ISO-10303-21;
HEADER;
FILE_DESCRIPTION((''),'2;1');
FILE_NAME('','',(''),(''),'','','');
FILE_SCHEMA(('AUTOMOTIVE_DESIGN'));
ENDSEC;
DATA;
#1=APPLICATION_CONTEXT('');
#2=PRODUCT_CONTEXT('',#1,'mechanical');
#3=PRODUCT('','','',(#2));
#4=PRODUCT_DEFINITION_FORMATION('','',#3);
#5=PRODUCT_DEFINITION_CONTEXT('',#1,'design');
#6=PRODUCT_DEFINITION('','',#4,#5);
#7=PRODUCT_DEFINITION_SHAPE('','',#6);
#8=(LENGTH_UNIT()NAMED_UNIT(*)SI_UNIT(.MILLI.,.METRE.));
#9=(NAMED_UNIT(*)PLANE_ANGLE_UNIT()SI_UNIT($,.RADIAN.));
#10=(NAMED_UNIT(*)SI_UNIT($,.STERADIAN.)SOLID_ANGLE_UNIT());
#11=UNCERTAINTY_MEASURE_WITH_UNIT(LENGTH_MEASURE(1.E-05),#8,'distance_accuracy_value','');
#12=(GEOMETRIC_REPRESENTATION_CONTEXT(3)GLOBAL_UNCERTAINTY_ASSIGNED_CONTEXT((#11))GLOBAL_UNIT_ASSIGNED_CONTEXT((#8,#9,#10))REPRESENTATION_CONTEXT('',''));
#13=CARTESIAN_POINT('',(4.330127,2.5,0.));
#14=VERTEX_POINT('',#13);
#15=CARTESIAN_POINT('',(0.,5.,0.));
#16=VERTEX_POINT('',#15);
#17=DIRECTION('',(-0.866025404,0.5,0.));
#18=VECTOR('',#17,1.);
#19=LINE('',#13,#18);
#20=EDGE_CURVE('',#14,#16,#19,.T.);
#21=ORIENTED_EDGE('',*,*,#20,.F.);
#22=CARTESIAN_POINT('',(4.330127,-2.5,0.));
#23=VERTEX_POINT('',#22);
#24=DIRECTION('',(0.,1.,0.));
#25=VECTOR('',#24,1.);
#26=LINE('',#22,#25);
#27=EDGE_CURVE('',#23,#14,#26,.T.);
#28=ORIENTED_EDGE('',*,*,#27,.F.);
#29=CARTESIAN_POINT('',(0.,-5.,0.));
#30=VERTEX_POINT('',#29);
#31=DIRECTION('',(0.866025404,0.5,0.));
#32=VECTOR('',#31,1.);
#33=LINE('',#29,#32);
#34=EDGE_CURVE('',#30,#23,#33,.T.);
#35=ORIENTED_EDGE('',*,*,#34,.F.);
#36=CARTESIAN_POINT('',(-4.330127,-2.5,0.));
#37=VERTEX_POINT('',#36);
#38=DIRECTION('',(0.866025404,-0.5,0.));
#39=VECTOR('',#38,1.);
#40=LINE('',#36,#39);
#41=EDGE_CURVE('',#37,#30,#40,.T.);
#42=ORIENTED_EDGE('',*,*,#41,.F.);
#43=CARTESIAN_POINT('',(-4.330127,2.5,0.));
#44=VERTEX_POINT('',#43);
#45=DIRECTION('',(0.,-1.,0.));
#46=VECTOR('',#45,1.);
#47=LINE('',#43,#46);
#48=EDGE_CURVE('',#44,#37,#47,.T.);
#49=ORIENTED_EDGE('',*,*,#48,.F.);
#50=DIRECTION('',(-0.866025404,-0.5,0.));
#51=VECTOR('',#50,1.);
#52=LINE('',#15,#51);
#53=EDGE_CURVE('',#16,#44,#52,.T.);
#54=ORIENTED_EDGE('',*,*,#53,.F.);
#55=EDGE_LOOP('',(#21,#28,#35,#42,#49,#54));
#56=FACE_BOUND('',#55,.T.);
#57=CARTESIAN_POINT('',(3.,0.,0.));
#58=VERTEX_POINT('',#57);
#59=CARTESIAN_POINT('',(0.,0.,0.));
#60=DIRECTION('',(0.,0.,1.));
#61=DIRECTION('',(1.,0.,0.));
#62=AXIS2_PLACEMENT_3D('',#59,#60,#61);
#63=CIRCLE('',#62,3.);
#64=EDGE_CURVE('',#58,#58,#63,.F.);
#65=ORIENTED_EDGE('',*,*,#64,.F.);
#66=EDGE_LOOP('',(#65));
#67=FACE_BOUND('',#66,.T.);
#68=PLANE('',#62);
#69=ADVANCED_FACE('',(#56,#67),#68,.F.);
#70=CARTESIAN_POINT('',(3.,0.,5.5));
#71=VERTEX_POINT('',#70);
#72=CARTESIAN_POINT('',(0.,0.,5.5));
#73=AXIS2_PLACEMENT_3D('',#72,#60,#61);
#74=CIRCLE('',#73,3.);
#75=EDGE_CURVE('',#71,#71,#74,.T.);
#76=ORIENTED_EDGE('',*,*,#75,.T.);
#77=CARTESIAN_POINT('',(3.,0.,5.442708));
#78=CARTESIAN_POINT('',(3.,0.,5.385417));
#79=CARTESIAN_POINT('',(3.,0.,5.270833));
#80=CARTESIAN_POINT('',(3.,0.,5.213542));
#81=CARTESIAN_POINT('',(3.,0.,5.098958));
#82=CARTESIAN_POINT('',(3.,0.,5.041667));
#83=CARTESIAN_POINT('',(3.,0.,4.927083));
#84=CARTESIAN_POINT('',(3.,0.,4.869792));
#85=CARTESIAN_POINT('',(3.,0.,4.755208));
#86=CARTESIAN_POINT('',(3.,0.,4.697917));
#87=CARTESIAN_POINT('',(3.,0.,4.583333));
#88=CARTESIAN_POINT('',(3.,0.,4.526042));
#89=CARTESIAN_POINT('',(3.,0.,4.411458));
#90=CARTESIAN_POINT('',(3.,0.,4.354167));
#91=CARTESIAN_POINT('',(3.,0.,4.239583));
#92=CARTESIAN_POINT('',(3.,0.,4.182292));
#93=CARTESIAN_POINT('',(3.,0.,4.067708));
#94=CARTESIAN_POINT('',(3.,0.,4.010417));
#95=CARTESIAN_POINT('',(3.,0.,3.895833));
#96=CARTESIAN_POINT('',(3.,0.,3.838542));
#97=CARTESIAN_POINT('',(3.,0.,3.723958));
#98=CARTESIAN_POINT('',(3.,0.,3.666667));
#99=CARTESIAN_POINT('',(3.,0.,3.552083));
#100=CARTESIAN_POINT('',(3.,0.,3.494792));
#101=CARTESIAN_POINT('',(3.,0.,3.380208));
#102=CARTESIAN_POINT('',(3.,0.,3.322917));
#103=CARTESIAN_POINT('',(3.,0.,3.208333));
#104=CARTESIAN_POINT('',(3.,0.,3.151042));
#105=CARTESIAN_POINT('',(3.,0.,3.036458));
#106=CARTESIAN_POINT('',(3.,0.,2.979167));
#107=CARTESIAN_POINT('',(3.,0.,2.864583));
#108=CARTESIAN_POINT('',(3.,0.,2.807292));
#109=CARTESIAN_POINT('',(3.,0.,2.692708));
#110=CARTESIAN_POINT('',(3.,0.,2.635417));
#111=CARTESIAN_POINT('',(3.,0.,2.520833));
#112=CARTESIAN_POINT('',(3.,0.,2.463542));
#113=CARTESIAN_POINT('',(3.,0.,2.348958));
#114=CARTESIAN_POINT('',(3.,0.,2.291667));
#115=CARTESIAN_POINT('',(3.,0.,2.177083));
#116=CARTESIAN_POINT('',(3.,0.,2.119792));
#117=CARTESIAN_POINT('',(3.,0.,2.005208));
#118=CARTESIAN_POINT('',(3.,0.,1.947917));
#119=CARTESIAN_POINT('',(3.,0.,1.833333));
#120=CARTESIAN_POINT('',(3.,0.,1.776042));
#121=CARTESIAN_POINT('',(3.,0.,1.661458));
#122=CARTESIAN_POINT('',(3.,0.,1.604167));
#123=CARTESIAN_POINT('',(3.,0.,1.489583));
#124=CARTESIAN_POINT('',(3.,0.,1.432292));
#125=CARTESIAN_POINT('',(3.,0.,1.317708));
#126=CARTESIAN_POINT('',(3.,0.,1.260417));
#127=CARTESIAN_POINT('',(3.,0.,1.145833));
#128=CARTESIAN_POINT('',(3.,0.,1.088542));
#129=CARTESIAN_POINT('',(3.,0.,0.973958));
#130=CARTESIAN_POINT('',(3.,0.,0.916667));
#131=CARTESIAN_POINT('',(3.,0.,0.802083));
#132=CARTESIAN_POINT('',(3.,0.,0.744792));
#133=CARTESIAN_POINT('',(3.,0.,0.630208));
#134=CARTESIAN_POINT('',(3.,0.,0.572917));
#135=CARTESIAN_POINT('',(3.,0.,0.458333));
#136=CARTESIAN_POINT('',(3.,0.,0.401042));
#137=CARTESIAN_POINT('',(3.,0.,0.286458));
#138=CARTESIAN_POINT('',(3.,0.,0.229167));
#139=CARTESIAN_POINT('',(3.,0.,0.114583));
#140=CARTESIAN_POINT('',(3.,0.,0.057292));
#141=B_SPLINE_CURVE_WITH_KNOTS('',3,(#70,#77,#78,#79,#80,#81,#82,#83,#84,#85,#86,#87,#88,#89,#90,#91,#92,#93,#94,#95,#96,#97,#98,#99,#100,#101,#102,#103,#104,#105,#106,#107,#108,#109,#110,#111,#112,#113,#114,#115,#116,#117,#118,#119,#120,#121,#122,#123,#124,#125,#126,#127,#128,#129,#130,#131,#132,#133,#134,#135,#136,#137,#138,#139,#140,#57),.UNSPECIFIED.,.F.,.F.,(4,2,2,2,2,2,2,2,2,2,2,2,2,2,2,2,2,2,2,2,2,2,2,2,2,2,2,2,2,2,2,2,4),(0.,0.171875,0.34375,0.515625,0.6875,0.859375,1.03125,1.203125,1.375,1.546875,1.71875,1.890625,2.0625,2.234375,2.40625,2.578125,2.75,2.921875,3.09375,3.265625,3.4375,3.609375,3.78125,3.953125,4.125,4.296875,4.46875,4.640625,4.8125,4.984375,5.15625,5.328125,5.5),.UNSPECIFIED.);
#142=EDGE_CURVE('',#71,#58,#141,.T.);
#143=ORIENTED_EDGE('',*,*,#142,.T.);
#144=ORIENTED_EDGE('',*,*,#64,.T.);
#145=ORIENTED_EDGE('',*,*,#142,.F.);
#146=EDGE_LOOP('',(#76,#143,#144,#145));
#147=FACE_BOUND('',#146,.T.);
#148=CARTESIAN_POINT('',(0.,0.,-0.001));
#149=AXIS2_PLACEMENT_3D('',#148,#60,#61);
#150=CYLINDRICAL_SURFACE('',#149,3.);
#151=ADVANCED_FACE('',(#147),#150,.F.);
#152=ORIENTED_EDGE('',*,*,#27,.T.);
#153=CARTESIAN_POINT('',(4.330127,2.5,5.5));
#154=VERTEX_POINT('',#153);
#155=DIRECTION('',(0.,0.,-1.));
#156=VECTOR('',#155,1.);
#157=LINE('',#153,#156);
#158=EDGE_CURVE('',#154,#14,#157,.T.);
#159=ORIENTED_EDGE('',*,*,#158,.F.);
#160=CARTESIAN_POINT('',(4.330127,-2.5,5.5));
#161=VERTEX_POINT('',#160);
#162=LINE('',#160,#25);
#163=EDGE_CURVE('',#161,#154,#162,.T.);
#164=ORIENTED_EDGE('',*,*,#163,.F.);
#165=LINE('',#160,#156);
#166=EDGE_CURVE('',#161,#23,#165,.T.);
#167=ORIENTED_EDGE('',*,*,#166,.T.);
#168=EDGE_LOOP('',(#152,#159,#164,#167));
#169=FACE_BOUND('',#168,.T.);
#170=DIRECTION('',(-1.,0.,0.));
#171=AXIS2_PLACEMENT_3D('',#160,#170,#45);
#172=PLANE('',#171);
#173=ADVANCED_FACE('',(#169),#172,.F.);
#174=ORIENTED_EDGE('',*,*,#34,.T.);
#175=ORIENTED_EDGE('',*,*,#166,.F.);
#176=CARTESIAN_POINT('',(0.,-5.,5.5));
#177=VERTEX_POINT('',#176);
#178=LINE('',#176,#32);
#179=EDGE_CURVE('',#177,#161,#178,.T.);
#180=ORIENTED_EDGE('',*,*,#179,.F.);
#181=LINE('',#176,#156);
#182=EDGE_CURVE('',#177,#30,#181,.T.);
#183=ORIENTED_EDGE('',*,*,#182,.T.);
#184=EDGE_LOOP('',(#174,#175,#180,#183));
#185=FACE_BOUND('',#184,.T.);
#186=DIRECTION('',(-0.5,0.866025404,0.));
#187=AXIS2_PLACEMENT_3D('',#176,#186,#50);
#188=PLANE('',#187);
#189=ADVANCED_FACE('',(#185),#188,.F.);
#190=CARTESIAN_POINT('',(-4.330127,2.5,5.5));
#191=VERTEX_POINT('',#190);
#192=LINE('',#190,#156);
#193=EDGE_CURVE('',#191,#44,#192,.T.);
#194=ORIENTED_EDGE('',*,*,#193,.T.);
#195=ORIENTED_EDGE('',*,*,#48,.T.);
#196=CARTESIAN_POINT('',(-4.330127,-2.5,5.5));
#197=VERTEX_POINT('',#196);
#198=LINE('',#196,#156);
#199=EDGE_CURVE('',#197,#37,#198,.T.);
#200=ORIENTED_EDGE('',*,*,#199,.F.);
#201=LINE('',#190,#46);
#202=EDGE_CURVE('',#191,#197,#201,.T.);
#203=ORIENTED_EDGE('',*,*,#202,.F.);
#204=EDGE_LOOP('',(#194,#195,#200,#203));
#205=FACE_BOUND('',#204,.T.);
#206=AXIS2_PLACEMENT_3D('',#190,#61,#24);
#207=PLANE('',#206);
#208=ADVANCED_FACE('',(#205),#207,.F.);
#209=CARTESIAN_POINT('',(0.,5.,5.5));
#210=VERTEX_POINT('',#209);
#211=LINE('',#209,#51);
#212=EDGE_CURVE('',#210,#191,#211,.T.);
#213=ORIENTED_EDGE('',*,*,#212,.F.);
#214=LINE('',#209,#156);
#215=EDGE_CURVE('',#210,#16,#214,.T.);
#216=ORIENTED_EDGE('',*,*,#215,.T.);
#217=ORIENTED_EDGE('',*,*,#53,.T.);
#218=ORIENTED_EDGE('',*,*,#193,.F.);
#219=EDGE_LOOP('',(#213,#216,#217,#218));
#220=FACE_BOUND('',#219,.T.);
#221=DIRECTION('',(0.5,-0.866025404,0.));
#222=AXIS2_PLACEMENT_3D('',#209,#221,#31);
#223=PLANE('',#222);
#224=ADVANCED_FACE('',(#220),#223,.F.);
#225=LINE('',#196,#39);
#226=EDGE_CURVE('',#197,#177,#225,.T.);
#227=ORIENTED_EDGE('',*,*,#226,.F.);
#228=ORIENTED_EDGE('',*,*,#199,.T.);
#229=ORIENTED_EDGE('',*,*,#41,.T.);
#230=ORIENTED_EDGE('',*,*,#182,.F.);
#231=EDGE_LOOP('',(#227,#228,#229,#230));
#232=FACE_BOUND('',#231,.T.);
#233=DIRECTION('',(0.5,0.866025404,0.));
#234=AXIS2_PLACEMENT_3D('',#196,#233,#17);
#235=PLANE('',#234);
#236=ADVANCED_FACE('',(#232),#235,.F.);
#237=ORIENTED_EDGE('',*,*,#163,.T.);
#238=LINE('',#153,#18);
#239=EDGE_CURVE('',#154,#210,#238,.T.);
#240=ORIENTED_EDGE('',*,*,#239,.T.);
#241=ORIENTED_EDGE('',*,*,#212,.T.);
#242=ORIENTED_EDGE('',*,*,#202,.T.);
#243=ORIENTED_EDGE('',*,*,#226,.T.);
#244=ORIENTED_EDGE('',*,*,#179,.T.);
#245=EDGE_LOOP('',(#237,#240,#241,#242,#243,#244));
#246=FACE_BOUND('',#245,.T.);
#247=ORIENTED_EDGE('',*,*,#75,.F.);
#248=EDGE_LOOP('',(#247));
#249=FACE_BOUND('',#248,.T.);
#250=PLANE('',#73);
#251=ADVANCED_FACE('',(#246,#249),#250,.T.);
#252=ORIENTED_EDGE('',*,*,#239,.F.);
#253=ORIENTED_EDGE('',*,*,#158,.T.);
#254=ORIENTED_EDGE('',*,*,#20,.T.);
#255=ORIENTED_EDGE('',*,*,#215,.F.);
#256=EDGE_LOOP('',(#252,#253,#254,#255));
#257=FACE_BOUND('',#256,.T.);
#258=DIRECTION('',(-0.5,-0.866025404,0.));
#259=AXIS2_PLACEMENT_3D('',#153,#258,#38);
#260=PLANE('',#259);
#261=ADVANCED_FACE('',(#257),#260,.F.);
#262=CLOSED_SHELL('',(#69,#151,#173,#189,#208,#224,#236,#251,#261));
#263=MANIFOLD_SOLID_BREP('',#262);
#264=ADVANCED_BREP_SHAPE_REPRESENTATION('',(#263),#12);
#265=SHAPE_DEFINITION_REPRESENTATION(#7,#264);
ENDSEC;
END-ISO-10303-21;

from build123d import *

# Parameters (mm, degrees)
BOSS_EXTRUDE1_DEPTH = 5.5
CUT_EXTRUDE1_REACH  = 10.602
SKETCH2_R           = 3


with BuildPart() as part:
    # Sketch1 → Boss-Extrude1 (new body)
    with BuildSketch(Plane(origin=(0, 0, 0), x_dir=(0, 1, 0), z_dir=(0, 0, 1))):
        Polygon((5, 0), (2.5, 4.330127019), (-2.5, 4.330127019), (-5, 0), (-2.5, -4.330127019), (2.5, -4.330127019), align=None)
    extrude(amount=BOSS_EXTRUDE1_DEPTH)

    # Sketch2 → Cut-Extrude1 (cut, up to next)
    with BuildSketch(Plane.XY.offset(5.5), mode=Mode.PRIVATE) as cut_extrude1_sk1:
        Circle(SKETCH2_R)
    cut_extrude1_tool1 = extrude(cut_extrude1_sk1.sketch, amount=-CUT_EXTRUDE1_REACH, mode=Mode.PRIVATE) & part.part
    add(cut_extrude1_tool1.solids().sort_by_distance((0, 0, 5.5))[0], mode=Mode.SUBTRACT)


solid = part.part
